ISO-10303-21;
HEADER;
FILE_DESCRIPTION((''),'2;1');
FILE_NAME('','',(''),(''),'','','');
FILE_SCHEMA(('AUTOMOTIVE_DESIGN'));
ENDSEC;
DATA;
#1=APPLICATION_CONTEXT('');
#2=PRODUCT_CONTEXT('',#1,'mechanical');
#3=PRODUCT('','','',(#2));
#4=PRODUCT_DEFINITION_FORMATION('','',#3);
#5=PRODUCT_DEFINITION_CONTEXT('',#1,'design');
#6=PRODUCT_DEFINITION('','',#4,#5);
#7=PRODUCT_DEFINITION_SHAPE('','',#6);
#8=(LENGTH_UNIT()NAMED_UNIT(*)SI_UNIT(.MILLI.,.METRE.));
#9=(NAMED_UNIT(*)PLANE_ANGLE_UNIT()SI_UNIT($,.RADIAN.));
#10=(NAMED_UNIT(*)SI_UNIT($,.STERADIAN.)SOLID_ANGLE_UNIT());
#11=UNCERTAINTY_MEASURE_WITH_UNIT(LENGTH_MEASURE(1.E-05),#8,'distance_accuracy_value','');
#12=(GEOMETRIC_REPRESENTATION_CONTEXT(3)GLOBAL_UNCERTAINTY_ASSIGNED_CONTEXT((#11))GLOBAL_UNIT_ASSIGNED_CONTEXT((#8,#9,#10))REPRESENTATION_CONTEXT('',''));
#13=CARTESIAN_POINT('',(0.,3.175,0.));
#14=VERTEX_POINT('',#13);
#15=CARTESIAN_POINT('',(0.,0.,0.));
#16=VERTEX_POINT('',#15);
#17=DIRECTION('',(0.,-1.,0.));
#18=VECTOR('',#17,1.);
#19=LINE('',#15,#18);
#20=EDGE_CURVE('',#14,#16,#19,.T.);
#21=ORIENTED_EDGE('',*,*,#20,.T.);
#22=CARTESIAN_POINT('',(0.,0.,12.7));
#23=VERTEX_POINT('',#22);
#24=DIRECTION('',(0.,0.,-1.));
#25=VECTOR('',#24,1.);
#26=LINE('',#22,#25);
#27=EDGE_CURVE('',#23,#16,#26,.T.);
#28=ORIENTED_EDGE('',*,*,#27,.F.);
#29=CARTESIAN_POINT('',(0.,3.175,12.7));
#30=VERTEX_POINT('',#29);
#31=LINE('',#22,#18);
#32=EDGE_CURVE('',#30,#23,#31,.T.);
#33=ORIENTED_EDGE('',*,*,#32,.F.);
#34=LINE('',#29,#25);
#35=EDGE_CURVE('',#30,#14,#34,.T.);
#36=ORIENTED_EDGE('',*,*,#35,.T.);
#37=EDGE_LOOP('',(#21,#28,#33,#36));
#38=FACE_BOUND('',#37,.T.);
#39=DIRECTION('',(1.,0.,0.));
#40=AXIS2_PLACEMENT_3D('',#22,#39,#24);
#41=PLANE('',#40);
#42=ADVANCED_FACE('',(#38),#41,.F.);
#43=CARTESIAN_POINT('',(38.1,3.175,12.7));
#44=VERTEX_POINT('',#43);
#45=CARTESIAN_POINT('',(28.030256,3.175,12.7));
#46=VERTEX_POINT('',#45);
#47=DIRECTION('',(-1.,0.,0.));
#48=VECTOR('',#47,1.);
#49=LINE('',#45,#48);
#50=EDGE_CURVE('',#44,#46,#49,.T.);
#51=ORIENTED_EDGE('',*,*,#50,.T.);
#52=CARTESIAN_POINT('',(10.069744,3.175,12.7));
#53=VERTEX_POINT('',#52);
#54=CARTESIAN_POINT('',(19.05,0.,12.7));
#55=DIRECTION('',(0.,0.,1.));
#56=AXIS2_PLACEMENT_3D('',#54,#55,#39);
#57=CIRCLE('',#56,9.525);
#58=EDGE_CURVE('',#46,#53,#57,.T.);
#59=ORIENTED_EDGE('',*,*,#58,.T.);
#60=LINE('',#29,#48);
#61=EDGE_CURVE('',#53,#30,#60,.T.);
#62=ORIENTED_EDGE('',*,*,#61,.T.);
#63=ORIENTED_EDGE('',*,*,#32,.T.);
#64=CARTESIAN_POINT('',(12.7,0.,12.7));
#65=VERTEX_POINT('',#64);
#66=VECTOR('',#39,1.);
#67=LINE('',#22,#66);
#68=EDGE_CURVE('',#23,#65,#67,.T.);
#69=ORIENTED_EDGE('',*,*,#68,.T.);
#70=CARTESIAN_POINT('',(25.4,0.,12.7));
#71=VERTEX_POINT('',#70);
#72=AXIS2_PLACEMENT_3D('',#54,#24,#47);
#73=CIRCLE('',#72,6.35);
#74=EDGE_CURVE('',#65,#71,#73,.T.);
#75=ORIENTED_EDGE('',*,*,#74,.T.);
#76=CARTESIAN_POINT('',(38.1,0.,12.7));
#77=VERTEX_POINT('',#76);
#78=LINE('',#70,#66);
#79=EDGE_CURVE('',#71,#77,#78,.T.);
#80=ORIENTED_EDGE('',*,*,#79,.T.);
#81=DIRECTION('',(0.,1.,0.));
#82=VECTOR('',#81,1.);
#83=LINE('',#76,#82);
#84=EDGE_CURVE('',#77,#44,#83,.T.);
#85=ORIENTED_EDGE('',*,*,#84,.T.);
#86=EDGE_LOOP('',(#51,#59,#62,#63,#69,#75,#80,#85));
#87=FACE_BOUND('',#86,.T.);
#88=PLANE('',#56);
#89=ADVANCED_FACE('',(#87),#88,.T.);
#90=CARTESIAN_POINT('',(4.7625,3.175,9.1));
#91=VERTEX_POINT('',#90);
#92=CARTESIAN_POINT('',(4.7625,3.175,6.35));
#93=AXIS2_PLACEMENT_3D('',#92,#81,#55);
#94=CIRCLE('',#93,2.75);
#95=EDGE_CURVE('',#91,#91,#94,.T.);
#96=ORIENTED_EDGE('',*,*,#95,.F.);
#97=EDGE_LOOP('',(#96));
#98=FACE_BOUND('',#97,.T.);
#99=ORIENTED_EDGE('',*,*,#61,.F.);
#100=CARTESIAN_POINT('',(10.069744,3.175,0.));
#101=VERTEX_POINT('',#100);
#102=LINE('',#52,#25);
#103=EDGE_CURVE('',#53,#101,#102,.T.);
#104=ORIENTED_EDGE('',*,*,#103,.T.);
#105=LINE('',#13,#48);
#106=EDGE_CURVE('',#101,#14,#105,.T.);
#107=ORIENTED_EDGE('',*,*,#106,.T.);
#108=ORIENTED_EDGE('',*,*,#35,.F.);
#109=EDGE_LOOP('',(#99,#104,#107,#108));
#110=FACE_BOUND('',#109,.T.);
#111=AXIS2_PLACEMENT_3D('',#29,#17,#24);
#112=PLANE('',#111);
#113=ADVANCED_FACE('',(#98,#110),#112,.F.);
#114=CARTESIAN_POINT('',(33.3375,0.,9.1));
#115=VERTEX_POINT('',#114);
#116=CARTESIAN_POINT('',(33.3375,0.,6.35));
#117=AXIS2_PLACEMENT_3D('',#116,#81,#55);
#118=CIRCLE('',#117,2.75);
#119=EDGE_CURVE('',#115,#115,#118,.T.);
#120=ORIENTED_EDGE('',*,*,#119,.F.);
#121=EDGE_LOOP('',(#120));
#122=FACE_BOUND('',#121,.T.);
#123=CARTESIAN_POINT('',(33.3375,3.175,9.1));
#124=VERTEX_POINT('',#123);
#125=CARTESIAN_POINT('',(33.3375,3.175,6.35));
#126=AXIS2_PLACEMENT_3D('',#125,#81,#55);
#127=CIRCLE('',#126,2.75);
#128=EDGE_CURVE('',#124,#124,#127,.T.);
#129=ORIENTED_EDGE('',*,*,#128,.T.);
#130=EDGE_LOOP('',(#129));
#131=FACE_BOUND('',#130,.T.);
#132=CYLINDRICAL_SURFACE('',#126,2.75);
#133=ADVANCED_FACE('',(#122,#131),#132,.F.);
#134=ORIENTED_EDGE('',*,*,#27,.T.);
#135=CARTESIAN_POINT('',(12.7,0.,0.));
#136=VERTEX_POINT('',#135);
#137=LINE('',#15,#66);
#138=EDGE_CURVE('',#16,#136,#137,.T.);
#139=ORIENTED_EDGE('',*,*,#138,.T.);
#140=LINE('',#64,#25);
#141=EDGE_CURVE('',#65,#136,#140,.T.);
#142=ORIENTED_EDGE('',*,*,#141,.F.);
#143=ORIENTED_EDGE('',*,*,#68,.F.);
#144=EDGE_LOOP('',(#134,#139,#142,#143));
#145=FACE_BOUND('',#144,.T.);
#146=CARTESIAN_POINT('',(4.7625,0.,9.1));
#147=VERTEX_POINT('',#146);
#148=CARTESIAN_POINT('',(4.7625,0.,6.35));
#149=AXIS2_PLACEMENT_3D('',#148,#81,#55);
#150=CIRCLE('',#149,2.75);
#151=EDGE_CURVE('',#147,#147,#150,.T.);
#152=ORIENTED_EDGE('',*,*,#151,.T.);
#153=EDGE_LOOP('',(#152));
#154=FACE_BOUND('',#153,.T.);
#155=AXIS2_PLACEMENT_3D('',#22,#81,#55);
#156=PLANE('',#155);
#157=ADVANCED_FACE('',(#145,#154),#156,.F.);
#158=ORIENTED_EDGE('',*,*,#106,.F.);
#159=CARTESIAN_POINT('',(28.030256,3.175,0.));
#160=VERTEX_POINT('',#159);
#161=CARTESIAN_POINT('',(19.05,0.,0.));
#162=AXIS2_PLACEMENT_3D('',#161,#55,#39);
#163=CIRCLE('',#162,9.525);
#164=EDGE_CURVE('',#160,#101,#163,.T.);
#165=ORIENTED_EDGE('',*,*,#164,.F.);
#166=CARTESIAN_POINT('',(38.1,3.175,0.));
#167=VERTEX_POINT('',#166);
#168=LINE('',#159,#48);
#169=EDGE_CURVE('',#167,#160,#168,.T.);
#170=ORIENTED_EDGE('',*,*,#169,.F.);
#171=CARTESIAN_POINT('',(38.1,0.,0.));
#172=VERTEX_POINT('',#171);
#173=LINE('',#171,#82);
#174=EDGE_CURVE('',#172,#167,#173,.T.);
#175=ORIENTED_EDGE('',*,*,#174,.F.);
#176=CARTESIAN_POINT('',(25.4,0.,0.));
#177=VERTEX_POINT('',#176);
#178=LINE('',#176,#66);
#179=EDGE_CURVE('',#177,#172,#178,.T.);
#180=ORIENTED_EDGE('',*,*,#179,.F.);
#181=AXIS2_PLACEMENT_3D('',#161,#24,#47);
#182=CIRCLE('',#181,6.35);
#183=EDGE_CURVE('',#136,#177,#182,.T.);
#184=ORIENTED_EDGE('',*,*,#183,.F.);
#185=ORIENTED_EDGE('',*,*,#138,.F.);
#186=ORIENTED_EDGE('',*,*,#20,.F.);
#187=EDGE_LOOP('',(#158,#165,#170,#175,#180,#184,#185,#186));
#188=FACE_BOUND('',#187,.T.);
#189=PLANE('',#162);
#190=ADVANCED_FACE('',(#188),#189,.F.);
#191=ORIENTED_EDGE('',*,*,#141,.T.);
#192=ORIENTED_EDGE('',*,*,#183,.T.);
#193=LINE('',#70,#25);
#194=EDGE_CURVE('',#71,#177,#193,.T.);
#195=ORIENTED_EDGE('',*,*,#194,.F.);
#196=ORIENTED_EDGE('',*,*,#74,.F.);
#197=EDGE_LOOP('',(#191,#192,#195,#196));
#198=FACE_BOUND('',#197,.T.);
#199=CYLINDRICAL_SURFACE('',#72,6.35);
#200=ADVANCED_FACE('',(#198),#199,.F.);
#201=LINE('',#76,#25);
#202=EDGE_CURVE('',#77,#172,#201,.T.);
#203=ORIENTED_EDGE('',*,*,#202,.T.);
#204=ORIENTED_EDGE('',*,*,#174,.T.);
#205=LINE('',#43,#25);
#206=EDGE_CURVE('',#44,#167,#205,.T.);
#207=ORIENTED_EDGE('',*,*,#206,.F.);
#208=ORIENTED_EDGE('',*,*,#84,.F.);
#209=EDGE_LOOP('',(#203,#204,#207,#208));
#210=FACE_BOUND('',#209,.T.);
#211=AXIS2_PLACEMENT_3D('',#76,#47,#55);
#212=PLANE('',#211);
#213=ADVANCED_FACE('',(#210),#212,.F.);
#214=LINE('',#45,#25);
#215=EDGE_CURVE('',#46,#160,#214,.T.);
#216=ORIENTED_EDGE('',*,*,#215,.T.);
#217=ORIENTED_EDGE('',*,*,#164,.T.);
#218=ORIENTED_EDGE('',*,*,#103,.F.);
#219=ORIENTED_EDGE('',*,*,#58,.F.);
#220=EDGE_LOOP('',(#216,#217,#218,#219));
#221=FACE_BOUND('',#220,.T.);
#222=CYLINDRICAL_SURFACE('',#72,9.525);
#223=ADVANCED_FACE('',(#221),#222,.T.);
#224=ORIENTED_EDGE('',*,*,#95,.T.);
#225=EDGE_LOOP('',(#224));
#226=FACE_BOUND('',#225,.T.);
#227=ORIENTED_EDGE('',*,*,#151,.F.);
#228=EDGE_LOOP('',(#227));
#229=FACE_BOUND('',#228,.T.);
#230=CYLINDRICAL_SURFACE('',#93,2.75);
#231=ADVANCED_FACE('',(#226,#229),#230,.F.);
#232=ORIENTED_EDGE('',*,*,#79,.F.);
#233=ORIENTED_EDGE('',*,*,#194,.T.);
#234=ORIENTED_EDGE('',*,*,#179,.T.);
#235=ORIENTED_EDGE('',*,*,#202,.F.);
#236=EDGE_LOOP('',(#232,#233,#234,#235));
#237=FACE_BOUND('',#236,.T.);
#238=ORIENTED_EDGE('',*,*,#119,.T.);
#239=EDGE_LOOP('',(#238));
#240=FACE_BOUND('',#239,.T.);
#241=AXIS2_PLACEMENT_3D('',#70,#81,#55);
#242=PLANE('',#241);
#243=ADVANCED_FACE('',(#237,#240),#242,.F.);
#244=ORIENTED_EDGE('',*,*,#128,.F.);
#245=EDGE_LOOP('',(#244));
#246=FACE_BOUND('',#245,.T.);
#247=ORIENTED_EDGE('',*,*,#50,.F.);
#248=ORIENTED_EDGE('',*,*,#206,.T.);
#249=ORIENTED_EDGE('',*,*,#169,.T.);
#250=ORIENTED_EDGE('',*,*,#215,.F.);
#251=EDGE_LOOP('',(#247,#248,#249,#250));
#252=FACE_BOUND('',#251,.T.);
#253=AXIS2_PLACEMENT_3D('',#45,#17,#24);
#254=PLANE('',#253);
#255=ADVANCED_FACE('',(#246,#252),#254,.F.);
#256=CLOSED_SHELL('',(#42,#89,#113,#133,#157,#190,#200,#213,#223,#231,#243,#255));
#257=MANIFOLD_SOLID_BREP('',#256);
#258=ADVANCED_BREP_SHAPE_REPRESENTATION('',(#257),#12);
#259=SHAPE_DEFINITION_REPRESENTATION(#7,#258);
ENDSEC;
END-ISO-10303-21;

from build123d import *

# Parameters (mm, degrees)
BOSS_EXTRUDE1_DEPTH  = 12.7
M5_CLEARANCE_HOLE2_D = 5.5


with BuildPart() as part:
    # Sketch1 → Boss-Extrude1 (new body)
    with BuildSketch(Plane.XY):
        with BuildLine():
            Line((25.4, 0), (38.1, 0))
            Line((38.1, 0), (38.1, 3.175))
            Line((38.1, 3.175), (28.030256121, 3.175))
            ThreePointArc((28.030256121, 3.175), (19.05, 9.525), (10.069743879, 3.175))
            Line((10.069743879, 3.175), (0, 3.175))
            Line((0, 3.175), (0, 0))
            Line((0, 0), (12.7, 0))
            ThreePointArc((12.7, 0), (19.05, 6.35), (25.4, 0))
        make_face()
    extrude(amount=BOSS_EXTRUDE1_DEPTH)

    # M5 Clearance Hole2 (through all)
    with Locations(Plane(origin=(0, 3.175, 0), x_dir=(1, 0, 0), z_dir=(0, 1, 0))):
        with Locations((4.7625, -6.35), (33.3375, -6.35)):
            Hole(M5_CLEARANCE_HOLE2_D / 2)


solid = part.part
